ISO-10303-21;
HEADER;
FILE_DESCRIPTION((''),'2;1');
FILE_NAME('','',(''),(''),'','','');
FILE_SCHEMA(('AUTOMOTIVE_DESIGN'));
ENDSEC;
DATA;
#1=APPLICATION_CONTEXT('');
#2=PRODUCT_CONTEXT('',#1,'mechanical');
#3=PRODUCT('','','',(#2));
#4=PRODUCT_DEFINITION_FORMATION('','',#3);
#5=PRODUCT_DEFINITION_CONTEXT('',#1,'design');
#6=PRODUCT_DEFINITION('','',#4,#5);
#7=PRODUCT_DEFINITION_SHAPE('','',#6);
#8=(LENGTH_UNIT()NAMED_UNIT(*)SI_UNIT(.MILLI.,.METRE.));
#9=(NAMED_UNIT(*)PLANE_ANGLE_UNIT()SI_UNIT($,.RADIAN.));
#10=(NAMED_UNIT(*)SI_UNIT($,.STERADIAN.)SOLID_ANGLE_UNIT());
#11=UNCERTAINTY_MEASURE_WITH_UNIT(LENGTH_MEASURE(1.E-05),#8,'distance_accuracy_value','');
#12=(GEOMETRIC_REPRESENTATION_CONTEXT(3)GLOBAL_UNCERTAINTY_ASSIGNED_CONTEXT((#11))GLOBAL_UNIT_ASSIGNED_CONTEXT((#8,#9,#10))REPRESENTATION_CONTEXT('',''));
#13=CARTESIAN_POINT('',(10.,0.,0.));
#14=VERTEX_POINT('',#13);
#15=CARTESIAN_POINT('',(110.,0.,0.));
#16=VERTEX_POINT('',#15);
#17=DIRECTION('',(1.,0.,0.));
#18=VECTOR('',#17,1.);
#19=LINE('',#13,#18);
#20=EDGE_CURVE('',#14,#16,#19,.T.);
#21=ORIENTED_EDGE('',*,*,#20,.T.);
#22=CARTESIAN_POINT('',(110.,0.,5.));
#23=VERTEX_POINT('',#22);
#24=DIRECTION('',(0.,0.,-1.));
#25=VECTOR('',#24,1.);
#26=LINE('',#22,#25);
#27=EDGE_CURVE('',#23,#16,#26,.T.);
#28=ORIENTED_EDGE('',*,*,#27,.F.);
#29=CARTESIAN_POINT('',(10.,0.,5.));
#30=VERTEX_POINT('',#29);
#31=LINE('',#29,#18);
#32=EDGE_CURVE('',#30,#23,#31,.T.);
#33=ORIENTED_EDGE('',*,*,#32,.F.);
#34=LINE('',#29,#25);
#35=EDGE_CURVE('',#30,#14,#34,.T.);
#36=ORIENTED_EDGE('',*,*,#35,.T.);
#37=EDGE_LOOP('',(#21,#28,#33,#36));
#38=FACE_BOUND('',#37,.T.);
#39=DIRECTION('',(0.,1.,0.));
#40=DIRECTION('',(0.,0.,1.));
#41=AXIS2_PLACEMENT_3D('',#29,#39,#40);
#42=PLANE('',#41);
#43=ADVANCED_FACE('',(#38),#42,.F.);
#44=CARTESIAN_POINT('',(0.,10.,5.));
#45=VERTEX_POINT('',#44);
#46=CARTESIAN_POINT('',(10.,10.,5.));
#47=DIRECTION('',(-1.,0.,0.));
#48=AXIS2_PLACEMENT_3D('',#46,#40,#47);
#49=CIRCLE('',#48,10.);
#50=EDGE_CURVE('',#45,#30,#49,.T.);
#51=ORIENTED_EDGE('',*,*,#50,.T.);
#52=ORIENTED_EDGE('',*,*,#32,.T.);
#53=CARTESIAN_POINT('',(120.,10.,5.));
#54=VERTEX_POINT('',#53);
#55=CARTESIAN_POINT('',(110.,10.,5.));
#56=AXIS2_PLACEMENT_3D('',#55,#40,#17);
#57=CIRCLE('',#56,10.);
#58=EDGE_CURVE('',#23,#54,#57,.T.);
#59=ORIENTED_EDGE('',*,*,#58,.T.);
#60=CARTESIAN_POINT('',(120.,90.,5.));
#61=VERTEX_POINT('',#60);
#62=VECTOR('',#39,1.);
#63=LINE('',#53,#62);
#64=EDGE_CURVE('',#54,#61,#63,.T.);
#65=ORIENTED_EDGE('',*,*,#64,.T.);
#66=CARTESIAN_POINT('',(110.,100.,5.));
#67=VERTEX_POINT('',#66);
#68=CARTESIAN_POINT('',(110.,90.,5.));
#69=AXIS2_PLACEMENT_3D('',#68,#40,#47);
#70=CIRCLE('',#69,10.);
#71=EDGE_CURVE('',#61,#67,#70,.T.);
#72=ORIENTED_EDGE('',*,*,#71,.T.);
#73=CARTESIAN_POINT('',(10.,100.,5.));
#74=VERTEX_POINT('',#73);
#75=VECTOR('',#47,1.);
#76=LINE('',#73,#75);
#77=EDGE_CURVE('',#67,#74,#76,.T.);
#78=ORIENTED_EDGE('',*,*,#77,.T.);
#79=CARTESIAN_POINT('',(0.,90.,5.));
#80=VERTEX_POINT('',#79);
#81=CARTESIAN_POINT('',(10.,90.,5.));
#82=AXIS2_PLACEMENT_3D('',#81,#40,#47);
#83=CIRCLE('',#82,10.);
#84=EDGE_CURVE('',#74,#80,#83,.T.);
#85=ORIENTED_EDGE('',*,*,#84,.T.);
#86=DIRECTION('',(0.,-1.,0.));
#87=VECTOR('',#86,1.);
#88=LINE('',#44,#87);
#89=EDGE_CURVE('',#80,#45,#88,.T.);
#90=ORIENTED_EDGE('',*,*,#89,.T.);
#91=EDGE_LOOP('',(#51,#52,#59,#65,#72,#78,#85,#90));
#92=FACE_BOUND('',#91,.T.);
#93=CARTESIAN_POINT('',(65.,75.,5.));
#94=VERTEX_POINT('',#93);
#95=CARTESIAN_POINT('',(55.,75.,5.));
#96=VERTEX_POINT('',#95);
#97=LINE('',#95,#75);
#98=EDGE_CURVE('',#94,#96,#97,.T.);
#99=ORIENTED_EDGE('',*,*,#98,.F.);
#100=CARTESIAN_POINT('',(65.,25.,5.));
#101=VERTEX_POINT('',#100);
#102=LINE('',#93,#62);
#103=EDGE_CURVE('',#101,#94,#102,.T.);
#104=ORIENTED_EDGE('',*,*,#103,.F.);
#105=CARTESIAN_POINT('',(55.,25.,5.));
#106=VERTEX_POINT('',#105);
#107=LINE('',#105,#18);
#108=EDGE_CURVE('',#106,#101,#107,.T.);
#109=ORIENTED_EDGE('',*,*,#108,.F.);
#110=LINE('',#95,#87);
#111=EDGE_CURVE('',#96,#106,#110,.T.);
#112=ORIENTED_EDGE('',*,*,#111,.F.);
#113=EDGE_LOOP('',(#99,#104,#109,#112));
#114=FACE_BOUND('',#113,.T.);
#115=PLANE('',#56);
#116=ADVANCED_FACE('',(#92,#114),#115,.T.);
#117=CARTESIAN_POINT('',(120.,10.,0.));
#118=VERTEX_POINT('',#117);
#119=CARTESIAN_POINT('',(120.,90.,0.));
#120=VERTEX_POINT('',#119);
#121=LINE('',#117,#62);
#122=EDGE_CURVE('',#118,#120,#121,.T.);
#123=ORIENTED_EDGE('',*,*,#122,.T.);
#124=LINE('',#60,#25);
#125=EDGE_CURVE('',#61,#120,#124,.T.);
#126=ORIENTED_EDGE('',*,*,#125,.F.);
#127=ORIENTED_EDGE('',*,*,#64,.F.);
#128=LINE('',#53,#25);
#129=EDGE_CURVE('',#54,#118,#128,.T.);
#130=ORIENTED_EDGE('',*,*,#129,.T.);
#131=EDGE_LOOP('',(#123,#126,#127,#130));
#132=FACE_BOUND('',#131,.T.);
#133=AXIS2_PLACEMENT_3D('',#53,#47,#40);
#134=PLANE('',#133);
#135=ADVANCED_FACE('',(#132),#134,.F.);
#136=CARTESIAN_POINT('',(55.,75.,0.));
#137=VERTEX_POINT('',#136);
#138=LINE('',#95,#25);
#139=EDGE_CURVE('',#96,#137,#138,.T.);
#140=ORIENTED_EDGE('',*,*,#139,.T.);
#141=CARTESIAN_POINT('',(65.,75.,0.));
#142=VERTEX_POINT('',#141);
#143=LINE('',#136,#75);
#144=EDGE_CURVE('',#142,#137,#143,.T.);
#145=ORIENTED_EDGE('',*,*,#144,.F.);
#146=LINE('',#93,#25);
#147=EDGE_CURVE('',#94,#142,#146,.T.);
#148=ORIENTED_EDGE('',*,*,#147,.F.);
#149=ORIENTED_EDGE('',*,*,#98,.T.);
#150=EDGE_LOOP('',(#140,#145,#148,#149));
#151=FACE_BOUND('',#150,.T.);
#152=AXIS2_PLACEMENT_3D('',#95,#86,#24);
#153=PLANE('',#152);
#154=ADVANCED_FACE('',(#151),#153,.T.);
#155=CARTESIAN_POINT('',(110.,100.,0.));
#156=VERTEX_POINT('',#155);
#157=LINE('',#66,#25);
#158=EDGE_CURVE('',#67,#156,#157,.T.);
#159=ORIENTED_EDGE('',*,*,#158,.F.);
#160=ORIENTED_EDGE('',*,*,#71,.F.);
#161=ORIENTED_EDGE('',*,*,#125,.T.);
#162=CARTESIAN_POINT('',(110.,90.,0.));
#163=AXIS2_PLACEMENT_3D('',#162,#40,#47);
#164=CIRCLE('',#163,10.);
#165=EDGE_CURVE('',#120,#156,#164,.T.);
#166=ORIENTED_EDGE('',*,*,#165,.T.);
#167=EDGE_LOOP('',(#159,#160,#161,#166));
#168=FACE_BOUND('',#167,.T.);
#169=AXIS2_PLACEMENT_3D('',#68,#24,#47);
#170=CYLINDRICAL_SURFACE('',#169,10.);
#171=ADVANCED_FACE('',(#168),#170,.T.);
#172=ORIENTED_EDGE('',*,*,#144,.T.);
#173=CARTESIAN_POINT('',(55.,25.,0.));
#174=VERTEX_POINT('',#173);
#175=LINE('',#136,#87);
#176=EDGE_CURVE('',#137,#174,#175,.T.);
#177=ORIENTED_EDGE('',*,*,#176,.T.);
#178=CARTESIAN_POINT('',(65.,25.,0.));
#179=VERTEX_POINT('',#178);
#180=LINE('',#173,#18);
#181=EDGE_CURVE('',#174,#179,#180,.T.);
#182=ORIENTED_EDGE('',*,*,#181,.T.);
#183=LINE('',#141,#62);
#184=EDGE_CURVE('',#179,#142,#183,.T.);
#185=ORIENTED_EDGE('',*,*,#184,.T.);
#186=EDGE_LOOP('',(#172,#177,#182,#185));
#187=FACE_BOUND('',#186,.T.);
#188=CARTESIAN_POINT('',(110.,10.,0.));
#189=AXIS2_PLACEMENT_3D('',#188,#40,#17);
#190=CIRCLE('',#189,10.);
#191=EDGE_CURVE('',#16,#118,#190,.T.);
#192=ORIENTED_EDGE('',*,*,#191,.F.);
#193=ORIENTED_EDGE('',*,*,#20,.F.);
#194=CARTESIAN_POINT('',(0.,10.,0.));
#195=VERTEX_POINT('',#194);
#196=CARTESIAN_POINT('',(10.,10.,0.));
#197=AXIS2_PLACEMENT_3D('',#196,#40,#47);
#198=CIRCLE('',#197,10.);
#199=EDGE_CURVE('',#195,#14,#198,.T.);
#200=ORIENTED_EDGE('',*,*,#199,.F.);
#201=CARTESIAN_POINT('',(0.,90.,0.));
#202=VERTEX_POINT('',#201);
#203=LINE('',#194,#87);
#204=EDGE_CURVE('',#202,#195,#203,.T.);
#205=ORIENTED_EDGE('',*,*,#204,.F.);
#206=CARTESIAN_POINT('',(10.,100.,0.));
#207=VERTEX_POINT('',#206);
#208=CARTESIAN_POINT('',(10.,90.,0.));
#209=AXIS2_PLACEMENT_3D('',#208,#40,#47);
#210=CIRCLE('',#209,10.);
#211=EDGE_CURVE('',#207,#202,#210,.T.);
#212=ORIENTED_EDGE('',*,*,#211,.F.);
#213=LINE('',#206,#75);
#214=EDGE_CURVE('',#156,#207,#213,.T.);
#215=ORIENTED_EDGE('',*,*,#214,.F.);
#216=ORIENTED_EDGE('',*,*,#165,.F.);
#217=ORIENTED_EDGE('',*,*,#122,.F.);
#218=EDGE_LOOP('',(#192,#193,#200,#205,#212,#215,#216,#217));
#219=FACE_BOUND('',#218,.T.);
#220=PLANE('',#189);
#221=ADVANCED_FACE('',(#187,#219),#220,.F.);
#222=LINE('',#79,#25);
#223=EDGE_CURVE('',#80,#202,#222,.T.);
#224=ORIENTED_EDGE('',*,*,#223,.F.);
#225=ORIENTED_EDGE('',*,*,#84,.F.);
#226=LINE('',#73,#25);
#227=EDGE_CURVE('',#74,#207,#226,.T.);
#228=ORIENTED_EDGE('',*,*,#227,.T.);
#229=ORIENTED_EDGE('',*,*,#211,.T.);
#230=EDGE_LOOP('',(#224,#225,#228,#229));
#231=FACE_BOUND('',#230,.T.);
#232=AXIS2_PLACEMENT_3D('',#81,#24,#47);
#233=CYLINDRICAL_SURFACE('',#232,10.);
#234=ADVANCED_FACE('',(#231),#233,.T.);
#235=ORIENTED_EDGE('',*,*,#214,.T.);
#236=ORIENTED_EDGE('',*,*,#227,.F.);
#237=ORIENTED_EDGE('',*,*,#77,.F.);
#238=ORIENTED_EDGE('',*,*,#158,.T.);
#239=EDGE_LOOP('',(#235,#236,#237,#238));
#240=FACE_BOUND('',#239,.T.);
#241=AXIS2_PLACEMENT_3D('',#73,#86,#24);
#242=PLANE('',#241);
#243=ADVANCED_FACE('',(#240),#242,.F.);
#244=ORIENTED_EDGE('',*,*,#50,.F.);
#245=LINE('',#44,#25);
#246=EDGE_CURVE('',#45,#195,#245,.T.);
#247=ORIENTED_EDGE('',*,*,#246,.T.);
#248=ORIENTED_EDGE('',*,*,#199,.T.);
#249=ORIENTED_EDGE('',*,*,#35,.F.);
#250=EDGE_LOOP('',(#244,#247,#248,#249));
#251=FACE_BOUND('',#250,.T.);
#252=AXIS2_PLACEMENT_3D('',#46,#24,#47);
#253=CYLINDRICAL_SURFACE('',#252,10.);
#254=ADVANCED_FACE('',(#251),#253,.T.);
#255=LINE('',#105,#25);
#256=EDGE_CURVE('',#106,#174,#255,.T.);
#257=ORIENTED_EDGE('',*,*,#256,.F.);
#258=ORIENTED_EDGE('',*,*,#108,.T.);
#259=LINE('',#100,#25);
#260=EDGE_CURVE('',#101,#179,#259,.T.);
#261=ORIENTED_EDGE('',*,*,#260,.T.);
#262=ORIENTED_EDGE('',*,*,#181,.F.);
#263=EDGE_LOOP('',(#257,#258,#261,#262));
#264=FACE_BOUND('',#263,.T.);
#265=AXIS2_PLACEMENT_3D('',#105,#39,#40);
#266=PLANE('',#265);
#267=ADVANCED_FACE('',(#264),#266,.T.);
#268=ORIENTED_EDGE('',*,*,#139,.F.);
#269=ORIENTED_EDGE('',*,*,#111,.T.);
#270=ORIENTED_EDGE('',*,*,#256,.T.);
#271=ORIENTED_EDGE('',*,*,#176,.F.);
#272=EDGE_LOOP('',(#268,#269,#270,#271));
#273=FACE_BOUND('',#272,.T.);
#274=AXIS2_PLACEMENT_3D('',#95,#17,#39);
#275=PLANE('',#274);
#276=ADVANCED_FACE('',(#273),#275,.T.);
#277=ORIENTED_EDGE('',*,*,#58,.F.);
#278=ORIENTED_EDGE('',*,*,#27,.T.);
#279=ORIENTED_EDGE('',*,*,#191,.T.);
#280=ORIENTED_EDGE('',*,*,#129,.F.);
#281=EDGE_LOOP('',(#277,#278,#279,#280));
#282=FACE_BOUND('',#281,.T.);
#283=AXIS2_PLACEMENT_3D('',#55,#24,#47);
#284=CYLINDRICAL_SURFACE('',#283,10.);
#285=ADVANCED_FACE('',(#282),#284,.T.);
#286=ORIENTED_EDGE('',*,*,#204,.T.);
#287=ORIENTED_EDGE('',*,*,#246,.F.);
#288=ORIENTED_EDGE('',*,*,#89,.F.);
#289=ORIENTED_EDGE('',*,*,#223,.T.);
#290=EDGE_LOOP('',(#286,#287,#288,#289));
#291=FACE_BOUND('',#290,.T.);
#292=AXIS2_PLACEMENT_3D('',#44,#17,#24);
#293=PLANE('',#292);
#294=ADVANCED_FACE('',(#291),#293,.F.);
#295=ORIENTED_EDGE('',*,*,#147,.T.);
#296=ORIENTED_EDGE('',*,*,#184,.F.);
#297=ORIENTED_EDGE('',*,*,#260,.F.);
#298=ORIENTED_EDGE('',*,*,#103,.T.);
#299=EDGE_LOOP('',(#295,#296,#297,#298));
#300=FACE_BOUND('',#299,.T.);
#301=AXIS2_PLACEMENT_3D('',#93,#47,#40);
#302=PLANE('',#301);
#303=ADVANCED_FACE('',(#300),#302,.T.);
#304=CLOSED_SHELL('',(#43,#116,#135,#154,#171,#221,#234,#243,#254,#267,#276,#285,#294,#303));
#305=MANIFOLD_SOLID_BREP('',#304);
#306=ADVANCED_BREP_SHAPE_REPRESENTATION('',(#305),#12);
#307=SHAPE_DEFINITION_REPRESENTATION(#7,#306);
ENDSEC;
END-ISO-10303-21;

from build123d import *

# Parameters (mm, degrees)
SKETCH1_W           = 10
SKETCH1_H           = 50
BOSS_EXTRUDE1_DEPTH = 5


with BuildPart() as part:
    # Sketch1 → Boss-Extrude1 (new body)
    with BuildSketch(Plane.XY):
        with BuildLine():
            Line((10, 0), (110, 0))
            ThreePointArc((110, 0), (117.071067812, 2.928932188), (120, 10))
            Line((120, 10), (120, 90))
            ThreePointArc((120, 90), (117.071067812, 97.071067812), (110, 100))
            Line((110, 100), (10, 100))
            ThreePointArc((10, 100), (2.928932188, 97.071067812), (0, 90))
            Line((0, 90), (0, 10))
            ThreePointArc((0, 10), (2.928932188, 2.928932188), (10, 0))
        make_face()
        with Locations((60, 50)):
            Rectangle(SKETCH1_W, SKETCH1_H, mode=Mode.SUBTRACT)
    extrude(amount=BOSS_EXTRUDE1_DEPTH)


solid = part.part
